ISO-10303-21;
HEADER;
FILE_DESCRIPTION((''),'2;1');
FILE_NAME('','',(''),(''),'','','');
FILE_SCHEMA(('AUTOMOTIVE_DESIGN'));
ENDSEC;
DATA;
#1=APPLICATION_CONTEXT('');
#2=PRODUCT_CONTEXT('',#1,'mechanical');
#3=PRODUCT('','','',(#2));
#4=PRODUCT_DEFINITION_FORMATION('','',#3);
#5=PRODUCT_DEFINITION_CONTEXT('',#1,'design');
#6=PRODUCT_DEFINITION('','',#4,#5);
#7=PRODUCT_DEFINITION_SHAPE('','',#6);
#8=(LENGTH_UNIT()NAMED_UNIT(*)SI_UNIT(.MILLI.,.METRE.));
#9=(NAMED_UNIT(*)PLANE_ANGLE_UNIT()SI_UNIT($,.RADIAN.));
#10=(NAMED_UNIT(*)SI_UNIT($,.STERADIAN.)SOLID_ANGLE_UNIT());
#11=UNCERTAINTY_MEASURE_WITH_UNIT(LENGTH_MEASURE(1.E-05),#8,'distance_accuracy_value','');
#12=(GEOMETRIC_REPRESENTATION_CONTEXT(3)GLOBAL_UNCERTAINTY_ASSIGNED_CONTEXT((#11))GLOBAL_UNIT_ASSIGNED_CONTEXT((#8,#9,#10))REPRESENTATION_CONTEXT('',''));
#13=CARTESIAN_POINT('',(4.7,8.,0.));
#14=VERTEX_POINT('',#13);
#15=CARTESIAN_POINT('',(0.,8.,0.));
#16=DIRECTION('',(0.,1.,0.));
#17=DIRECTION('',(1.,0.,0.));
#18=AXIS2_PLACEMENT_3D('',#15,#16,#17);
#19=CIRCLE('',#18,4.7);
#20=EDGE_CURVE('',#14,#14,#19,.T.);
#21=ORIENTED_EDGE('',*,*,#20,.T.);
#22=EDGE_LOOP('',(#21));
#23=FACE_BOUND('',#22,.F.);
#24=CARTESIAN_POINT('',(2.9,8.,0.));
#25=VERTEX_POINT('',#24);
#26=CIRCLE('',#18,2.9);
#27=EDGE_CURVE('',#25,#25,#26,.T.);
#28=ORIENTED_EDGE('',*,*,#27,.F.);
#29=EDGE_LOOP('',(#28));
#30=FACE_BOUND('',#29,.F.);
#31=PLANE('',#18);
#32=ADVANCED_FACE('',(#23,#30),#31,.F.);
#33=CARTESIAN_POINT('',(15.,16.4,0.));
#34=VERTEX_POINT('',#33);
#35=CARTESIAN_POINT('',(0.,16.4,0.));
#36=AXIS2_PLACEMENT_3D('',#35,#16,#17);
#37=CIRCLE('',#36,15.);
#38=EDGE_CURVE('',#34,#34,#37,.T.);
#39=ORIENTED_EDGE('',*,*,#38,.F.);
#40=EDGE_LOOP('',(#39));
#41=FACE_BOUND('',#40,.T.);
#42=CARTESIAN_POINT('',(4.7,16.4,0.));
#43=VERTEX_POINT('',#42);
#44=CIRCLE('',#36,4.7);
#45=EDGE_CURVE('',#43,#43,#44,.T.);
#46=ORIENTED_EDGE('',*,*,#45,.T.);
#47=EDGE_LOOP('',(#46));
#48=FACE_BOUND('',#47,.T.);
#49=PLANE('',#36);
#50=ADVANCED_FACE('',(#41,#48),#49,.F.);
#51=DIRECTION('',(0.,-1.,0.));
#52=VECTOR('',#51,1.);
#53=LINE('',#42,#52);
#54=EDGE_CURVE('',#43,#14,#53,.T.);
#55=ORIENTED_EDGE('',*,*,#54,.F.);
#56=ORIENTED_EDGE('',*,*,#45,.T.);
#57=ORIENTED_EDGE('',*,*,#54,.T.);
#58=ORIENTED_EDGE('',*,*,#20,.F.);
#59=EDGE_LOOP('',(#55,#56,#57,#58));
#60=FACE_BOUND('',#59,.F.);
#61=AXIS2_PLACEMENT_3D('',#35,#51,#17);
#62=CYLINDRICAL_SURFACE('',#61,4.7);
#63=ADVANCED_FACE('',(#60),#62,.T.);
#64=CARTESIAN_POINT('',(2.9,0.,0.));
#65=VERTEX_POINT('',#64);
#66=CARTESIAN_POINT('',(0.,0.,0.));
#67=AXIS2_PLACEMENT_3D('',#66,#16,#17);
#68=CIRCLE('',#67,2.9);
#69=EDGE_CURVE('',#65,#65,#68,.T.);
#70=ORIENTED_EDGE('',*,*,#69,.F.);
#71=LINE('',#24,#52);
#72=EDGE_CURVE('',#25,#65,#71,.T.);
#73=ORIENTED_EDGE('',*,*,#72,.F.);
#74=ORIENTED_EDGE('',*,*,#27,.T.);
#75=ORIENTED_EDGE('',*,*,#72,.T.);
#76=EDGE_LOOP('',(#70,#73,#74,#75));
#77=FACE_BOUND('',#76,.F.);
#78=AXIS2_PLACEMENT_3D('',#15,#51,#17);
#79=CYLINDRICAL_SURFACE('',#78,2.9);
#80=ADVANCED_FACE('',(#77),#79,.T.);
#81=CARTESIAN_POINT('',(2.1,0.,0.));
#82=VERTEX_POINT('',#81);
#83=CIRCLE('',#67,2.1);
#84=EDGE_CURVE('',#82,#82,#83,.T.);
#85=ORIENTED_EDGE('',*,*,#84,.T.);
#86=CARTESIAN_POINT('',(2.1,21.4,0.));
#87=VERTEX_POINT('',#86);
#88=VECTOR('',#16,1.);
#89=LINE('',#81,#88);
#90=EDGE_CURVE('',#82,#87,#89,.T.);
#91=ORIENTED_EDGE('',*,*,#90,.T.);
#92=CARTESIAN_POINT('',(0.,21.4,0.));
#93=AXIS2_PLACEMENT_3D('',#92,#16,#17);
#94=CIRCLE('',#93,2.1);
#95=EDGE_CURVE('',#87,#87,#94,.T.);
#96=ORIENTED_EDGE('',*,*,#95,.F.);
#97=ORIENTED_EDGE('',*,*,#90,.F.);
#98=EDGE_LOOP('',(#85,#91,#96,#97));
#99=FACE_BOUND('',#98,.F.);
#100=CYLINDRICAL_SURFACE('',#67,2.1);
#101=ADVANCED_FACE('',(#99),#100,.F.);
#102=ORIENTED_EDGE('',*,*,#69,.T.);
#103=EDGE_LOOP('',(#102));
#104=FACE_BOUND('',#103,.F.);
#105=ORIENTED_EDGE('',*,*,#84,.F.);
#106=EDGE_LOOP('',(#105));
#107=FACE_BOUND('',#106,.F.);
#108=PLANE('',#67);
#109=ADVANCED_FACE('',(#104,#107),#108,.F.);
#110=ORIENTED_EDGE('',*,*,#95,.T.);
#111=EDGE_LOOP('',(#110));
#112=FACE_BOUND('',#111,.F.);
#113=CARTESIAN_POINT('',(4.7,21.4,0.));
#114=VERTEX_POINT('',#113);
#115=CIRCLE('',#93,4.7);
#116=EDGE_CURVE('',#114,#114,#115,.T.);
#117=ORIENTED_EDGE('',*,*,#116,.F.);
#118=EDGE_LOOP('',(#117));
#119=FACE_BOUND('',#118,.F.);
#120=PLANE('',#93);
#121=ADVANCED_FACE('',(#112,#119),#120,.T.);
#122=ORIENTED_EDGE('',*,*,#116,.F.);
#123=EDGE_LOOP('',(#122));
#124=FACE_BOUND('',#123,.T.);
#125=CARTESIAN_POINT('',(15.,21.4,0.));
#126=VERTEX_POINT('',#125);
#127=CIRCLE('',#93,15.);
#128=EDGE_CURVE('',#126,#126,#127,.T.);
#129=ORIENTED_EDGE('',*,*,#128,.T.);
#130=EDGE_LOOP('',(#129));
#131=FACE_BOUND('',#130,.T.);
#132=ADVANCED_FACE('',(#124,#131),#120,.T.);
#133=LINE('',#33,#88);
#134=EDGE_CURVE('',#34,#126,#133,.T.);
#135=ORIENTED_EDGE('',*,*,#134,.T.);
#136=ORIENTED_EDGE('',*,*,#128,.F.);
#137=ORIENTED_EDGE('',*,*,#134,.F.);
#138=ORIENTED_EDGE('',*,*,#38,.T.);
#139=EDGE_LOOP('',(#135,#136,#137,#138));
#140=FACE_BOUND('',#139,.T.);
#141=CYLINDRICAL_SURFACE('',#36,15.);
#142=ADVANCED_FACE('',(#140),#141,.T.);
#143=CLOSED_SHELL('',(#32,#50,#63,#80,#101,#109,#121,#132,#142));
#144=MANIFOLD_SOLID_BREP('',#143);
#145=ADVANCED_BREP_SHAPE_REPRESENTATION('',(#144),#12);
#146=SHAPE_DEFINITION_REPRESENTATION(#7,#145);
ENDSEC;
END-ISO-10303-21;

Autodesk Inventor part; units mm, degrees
ref_plane "YZ Plane" through (0, 0, 0) normal (1, 0, 0) x (0, 1, 0)
ref_plane "XZ Plane" through (0, 0, 0) normal (0, 1, 0) x (-1, 0, 0)
ref_plane "XY Plane" through (0, 0, 0) normal (0, 0, 1) x (1, 0, 0)
sketch "Sketch1" plane through (0, 0, 0) normal (0, 0, 1) x (1, 0, 0)
  line L0 (2.1, 0) -> (2.1, 21.4)
  line L1 (2.1, 21.4) -> (4.7, 21.4)
  line L2 (4.7, 8) -> (2.9, 8)
  line L3 (2.9, 8) -> (2.9, 0)
  line L4 (2.9, 0) -> (2.1, 0)
  line L5 (4.7, 16.4) -> (15, 16.4)
  line L6 (15, 16.4) -> (15, 21.4)
  line L7 (15, 21.4) -> (4.7, 21.4)
  line L8 (4.7, 16.4) -> (4.7, 8)
  line L9 (0, 0) -> (0, 21.4) construction
  point P0 (2.5, 0)
  dimension "d0" = 2.1
  dimension "d1" = 4.7
  dimension "d3" = 8
  dimension "d4" = 2.9
  dimension "d5" = 5
  dimension "d6" = 16.4
  dimension "d7" = 15
revolve "Revolution1" add sketch "Sketch1" angle 360 about axis through (0, 0, 0) along (0, 1, 0)
properties part number "HOLE_CENTERINGRIG"
